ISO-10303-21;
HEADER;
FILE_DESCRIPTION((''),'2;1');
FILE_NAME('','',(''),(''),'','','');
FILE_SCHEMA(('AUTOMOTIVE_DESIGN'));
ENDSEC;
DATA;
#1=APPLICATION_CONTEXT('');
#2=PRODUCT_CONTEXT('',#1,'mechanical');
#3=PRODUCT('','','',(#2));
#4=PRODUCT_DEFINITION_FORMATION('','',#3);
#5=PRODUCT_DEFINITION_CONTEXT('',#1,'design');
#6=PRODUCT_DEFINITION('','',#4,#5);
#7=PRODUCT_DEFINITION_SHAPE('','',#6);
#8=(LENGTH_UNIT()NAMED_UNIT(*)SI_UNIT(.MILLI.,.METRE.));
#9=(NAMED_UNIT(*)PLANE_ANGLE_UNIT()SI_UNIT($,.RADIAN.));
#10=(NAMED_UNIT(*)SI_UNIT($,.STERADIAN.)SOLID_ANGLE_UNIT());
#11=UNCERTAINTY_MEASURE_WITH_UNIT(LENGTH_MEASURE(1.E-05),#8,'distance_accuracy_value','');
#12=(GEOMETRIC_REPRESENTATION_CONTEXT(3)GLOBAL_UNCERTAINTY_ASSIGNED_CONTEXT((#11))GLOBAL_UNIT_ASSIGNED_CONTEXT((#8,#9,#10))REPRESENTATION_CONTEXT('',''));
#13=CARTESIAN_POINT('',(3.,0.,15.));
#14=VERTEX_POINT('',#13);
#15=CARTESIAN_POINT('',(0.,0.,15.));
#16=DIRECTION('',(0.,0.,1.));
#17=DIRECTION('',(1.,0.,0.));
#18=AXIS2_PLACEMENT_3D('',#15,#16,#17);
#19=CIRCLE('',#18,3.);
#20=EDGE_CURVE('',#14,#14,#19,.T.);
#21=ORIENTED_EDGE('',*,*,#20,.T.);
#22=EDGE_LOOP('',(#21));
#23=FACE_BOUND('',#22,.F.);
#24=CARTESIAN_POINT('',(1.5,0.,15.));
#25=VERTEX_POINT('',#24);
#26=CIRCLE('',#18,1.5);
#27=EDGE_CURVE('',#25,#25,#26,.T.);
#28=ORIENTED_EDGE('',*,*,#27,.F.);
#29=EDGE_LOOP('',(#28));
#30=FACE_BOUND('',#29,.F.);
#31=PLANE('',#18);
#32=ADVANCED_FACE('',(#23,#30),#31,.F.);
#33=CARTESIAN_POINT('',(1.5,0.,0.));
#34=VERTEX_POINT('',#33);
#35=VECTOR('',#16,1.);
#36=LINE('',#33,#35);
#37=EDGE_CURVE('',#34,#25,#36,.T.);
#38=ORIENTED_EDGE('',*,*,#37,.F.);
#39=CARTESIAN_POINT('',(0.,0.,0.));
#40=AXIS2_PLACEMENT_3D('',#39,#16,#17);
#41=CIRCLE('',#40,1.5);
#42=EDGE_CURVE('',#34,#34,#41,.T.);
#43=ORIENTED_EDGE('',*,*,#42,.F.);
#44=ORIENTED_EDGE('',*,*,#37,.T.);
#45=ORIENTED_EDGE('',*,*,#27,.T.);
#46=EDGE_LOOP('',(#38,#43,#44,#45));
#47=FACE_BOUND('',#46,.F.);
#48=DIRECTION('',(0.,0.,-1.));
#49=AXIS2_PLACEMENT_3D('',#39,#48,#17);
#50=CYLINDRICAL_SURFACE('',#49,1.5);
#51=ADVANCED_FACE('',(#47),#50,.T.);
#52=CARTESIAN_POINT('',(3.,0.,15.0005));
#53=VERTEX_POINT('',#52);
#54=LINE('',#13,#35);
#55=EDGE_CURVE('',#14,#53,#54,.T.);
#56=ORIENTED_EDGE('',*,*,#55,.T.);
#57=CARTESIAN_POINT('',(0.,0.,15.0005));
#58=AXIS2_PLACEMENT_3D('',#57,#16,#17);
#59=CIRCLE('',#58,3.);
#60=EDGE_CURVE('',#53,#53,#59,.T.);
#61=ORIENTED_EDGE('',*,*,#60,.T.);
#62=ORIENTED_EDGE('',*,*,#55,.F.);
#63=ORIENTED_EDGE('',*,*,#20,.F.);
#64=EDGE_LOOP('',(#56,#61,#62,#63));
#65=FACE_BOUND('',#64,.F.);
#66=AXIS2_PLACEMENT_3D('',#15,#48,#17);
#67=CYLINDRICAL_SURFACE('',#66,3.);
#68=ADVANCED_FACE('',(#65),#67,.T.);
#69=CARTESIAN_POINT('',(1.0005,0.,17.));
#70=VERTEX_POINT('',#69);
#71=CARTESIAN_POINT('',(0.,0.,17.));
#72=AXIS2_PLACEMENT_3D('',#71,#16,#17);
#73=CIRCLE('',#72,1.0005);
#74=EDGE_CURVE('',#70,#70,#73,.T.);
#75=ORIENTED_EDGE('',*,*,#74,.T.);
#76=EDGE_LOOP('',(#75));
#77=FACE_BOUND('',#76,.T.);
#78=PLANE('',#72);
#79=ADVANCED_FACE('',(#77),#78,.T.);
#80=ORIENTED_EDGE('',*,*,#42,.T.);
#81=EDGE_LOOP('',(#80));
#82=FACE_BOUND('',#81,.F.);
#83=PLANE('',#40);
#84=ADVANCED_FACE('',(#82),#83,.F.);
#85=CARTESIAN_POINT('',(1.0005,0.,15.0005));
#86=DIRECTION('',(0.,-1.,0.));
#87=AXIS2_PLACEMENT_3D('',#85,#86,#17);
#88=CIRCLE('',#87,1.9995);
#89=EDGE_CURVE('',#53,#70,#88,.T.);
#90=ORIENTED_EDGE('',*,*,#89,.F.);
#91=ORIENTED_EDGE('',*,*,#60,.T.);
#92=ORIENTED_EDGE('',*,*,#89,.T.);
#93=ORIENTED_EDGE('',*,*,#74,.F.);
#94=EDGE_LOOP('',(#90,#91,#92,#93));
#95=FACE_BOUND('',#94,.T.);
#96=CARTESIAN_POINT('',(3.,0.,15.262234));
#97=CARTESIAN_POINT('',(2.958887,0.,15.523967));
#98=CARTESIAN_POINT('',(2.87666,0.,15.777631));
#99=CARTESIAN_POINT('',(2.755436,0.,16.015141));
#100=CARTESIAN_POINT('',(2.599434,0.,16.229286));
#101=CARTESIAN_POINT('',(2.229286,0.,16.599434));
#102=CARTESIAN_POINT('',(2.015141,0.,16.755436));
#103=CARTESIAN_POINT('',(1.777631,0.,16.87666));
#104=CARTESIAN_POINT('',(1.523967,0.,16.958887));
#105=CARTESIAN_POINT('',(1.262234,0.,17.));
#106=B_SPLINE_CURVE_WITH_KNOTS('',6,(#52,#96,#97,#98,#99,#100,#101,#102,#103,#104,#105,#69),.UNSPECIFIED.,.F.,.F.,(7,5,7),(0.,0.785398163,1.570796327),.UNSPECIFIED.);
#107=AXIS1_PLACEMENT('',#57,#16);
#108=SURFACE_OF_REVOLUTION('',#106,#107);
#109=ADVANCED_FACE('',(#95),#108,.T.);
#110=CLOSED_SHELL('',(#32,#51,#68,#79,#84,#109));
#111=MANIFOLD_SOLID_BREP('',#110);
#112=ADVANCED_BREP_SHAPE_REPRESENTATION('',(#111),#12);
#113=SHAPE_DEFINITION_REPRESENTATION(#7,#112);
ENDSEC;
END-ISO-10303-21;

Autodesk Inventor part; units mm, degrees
ref_plane "YZ Plane" through (0, 0, 0) normal (1, 0, 0) x (0, 1, 0)
ref_plane "XZ Plane" through (0, 0, 0) normal (0, 1, 0) x (-1, 0, 0)
ref_plane "XY Plane" through (0, 0, 0) normal (0, 0, 1) x (1, 0, 0)
sketch "スケッチ1" plane through (0, 0, 0) normal (0, 0, 1) x (1, 0, 0)
  circle A0 centre (0, 0) radius 1.5
  dimension "d0" = 3
extrude "押し出し1" add sketch "スケッチ1" along normal blind 15
sketch "スケッチ2" plane through (0, 0, 15) normal (0, 0, 1) x (1, 0, 0)
  circle A0 centre (0, 0) radius 1.5 projected
  circle A1 centre (0, 0) radius 3
  dimension "d3" = 6
extrude "押し出し2" add sketch "スケッチ2" along normal blind 2 contours A0 | A1
fillet "フィレット1" radius 2 1 edges at (-3, 0, 17)
properties part number "M3ボタンボルト15" material "鋼、高強度、低合金"
